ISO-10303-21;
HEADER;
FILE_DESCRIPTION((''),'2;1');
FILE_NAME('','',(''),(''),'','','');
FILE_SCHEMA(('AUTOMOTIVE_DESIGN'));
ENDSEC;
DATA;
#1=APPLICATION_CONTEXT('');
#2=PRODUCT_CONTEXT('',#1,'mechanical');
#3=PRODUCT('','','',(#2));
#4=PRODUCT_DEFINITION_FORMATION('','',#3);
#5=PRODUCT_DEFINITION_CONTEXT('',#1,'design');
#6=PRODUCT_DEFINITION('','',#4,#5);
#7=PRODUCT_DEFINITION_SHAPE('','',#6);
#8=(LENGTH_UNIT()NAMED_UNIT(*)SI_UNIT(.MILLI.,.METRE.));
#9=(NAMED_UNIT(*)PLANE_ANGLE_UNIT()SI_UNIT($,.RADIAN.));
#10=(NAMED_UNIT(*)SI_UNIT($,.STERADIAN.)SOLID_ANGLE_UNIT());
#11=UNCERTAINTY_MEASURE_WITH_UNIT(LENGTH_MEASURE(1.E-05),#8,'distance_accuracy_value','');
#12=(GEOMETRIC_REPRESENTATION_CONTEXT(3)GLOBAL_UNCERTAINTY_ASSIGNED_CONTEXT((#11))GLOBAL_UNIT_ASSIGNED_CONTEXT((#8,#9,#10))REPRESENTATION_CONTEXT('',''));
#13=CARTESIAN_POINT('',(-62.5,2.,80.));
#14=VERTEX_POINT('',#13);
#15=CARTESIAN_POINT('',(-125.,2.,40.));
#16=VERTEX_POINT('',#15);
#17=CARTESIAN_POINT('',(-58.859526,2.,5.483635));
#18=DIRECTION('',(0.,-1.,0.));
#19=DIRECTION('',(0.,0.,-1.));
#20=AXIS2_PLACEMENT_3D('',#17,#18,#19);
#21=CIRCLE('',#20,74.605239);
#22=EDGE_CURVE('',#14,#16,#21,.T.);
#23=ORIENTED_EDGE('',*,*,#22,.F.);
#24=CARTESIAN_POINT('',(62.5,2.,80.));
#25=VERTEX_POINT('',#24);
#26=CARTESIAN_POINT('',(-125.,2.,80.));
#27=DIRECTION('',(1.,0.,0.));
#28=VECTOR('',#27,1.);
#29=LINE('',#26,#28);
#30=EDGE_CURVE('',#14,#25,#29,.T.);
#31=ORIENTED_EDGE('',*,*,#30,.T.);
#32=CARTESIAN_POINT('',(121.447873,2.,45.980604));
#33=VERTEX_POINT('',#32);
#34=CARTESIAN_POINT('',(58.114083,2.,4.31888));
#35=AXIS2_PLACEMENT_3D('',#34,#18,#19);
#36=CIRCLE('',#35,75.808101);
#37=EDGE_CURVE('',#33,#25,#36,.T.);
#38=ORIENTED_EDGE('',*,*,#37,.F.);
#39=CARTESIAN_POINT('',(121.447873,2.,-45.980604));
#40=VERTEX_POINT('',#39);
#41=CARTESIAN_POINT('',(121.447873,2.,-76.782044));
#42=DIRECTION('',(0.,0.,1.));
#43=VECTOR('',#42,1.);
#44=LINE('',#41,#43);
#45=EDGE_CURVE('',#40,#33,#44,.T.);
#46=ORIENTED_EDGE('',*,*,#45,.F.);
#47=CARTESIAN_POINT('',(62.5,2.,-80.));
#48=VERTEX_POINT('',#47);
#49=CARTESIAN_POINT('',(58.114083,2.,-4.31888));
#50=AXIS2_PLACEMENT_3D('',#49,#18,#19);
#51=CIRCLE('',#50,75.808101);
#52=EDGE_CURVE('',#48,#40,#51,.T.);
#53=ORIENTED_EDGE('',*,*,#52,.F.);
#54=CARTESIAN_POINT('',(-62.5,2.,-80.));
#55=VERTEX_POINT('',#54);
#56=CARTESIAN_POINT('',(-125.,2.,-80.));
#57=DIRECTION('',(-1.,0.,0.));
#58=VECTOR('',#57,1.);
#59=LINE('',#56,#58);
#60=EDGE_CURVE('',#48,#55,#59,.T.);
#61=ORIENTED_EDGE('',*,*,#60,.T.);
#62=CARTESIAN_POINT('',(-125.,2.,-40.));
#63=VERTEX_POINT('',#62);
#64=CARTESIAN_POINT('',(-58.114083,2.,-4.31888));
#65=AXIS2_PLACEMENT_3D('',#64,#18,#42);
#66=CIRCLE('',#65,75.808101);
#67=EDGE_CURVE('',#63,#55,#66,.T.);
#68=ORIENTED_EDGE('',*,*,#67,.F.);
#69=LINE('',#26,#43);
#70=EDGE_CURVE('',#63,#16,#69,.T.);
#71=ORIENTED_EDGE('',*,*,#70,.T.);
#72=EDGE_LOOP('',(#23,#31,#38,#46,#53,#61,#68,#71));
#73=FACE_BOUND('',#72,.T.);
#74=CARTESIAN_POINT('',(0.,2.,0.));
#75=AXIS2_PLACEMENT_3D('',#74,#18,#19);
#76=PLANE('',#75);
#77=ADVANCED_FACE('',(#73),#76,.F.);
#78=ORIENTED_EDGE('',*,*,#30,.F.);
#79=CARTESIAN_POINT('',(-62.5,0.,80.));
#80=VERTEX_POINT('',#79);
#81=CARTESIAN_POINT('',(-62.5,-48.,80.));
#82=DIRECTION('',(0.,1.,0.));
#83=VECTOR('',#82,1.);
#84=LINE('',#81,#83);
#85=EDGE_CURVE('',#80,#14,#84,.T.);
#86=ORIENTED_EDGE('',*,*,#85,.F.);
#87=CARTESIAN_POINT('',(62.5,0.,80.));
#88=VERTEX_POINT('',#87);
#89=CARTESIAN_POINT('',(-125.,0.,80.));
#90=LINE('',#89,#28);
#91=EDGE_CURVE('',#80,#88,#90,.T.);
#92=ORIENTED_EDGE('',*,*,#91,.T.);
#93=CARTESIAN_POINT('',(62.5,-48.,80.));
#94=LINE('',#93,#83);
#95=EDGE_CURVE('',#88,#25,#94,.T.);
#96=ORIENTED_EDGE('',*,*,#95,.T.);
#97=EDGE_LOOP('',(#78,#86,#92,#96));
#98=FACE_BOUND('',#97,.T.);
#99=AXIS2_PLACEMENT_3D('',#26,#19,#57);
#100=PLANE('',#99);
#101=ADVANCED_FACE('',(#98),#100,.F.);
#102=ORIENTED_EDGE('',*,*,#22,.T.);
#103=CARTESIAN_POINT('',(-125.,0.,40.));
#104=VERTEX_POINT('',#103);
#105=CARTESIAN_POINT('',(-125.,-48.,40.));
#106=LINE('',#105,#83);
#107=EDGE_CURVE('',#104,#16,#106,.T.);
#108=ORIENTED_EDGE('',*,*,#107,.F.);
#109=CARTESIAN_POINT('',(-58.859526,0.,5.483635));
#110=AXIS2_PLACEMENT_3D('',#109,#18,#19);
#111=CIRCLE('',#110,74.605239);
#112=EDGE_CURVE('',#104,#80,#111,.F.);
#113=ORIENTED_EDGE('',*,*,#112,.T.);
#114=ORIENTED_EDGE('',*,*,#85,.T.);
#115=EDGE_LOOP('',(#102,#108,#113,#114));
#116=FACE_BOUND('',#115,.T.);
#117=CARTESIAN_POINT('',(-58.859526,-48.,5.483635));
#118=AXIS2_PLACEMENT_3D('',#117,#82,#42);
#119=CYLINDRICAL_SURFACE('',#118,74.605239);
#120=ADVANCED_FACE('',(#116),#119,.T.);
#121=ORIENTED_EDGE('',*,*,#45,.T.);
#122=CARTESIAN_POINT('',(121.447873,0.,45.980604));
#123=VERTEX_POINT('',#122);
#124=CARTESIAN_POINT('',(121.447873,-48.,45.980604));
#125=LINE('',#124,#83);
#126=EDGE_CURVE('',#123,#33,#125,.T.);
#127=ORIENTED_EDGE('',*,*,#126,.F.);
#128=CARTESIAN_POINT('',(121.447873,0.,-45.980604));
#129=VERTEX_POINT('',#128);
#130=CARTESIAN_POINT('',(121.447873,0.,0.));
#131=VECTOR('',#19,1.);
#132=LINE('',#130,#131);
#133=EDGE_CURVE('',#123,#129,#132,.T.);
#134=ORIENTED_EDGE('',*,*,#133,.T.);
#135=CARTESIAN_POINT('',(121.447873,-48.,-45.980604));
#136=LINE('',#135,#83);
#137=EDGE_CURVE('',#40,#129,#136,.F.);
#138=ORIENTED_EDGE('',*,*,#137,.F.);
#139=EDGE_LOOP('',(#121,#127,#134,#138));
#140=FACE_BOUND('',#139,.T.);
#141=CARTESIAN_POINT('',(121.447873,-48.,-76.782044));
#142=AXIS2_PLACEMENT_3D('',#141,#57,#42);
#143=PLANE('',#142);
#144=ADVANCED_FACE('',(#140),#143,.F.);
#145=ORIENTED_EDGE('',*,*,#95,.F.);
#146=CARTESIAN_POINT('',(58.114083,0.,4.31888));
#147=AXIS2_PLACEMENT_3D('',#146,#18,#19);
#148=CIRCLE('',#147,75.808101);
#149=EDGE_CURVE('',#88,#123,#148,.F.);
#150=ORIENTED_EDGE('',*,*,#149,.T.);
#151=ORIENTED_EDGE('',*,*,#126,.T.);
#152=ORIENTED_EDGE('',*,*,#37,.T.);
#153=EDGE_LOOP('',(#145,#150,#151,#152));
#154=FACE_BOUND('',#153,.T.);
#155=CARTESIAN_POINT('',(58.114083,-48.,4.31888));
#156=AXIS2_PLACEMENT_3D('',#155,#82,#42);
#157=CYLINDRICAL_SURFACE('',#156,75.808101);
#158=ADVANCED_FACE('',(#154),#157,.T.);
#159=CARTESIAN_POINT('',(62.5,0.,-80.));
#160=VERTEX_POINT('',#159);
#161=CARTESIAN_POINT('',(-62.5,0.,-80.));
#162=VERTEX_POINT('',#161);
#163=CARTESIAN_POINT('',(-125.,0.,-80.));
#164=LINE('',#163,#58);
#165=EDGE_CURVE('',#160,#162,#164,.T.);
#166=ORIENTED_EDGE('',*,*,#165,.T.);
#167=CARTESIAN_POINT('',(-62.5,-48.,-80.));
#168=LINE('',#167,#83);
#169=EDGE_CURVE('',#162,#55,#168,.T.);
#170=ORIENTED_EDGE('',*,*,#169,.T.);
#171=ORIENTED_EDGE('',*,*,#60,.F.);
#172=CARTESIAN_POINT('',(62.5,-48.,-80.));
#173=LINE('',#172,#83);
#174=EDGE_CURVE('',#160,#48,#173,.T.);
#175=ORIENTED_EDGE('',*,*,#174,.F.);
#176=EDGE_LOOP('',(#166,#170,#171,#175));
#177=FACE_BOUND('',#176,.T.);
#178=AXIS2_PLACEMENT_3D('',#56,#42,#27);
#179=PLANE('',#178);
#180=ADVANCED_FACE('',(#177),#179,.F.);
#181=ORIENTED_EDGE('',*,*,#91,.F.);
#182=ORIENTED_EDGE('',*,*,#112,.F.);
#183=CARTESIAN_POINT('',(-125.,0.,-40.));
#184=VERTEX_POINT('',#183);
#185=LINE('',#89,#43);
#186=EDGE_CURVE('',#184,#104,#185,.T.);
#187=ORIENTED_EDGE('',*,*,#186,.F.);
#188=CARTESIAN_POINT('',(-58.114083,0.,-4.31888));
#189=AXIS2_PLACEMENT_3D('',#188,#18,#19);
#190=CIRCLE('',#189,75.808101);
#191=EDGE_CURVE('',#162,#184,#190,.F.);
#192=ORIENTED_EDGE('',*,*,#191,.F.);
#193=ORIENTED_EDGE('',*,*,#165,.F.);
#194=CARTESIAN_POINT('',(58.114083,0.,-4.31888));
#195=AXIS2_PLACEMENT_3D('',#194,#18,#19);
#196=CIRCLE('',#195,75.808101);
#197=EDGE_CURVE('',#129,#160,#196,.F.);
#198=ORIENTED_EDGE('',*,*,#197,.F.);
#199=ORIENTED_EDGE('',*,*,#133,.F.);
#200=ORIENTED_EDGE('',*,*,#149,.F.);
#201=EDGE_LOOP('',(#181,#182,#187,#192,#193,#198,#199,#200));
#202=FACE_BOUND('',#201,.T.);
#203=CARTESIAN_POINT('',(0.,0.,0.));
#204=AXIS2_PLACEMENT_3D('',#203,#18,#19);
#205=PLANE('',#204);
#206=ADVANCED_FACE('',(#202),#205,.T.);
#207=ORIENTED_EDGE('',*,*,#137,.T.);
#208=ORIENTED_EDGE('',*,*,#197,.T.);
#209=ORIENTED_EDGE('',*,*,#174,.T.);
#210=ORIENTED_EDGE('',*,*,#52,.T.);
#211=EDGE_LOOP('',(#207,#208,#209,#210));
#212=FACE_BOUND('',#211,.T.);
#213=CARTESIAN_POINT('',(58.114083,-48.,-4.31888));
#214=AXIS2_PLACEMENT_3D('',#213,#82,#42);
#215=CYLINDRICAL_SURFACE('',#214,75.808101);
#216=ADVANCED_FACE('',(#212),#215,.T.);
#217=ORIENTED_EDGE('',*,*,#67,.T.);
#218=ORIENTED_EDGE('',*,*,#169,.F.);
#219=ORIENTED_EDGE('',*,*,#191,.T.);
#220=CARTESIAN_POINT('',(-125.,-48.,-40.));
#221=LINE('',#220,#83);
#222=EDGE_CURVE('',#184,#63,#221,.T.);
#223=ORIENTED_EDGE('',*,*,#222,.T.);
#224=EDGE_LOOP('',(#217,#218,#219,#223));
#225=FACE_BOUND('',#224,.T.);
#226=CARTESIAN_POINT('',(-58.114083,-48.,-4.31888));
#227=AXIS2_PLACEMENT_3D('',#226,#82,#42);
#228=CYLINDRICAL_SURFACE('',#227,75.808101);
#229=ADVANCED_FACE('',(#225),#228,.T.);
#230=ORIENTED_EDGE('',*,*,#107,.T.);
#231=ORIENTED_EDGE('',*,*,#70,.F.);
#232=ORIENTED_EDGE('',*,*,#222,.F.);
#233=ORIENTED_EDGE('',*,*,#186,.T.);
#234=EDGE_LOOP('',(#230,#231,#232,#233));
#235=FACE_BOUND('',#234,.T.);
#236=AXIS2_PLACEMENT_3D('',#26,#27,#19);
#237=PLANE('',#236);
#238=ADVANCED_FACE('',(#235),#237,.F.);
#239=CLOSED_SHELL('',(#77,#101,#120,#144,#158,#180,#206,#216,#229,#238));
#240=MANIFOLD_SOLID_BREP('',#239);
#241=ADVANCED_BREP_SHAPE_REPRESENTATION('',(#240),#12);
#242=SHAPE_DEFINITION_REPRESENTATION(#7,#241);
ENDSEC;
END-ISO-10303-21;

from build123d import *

# Parameters (mm, degrees)
SKETCH1_W           = 250
SKETCH1_H           = 160
BOSS_EXTRUDE1_DEPTH = 2
CUT_EXTRUDE2_DEPTH  = 50
SKETCH6_W           = 3.552127034
SKETCH6_H           = 144.927795072
CUT_EXTRUDE3_DEPTH  = 50


with BuildPart() as part:
    # Sketch1 → Boss-Extrude1 (new body)
    with BuildSketch(Plane(origin=(0, 0, 0), x_dir=(1, 0, 0), z_dir=(0, 1, 0))):
        Rectangle(SKETCH1_W, SKETCH1_H)
    extrude(amount=BOSS_EXTRUDE1_DEPTH)

    # Sketch5 → Cut-Extrude2 (cut)
    with BuildSketch(Plane(origin=(0, 2, 0), x_dir=(1, 0, 0), z_dir=(0, 1, 0))):
        with BuildLine():
            Line((-125, 40), (-125, 80))
            Line((-125, 80), (-62.5, 80))
            ThreePointArc((-62.5, 80), (-98.97872032, 68.169875501), (-125, 40))
        make_face()
        with BuildLine():
            Line((62.5, 80), (125, 80))
            Line((125, 80), (125, 40))
            ThreePointArc((125, 40), (98.978720329, 68.169875513), (62.5, 80))
        make_face()
        with BuildLine():
            Line((125, -40), (125, -80))
            Line((125, -80), (62.5, -80))
            ThreePointArc((62.5, -80), (98.978720329, -68.169875513), (125, -40))
        make_face()
        with BuildLine():
            Line((-62.5, -80), (-125, -80))
            Line((-125, -80), (-125, -40))
            ThreePointArc((-125, -40), (-99.075756291, -68.321494204), (-62.5, -80))
        make_face()
    extrude(amount=-CUT_EXTRUDE2_DEPTH, mode=Mode.SUBTRACT)

    # Sketch6 → Cut-Extrude3 (cut)
    with BuildSketch(Plane(origin=(0, 2, 0), x_dir=(1, 0, 0), z_dir=(0, 1, 0))):
        with Locations((123.223936483, 4.318146594)):
            Rectangle(SKETCH6_W, SKETCH6_H)
    extrude(amount=-CUT_EXTRUDE3_DEPTH, mode=Mode.SUBTRACT)


solid = part.part
